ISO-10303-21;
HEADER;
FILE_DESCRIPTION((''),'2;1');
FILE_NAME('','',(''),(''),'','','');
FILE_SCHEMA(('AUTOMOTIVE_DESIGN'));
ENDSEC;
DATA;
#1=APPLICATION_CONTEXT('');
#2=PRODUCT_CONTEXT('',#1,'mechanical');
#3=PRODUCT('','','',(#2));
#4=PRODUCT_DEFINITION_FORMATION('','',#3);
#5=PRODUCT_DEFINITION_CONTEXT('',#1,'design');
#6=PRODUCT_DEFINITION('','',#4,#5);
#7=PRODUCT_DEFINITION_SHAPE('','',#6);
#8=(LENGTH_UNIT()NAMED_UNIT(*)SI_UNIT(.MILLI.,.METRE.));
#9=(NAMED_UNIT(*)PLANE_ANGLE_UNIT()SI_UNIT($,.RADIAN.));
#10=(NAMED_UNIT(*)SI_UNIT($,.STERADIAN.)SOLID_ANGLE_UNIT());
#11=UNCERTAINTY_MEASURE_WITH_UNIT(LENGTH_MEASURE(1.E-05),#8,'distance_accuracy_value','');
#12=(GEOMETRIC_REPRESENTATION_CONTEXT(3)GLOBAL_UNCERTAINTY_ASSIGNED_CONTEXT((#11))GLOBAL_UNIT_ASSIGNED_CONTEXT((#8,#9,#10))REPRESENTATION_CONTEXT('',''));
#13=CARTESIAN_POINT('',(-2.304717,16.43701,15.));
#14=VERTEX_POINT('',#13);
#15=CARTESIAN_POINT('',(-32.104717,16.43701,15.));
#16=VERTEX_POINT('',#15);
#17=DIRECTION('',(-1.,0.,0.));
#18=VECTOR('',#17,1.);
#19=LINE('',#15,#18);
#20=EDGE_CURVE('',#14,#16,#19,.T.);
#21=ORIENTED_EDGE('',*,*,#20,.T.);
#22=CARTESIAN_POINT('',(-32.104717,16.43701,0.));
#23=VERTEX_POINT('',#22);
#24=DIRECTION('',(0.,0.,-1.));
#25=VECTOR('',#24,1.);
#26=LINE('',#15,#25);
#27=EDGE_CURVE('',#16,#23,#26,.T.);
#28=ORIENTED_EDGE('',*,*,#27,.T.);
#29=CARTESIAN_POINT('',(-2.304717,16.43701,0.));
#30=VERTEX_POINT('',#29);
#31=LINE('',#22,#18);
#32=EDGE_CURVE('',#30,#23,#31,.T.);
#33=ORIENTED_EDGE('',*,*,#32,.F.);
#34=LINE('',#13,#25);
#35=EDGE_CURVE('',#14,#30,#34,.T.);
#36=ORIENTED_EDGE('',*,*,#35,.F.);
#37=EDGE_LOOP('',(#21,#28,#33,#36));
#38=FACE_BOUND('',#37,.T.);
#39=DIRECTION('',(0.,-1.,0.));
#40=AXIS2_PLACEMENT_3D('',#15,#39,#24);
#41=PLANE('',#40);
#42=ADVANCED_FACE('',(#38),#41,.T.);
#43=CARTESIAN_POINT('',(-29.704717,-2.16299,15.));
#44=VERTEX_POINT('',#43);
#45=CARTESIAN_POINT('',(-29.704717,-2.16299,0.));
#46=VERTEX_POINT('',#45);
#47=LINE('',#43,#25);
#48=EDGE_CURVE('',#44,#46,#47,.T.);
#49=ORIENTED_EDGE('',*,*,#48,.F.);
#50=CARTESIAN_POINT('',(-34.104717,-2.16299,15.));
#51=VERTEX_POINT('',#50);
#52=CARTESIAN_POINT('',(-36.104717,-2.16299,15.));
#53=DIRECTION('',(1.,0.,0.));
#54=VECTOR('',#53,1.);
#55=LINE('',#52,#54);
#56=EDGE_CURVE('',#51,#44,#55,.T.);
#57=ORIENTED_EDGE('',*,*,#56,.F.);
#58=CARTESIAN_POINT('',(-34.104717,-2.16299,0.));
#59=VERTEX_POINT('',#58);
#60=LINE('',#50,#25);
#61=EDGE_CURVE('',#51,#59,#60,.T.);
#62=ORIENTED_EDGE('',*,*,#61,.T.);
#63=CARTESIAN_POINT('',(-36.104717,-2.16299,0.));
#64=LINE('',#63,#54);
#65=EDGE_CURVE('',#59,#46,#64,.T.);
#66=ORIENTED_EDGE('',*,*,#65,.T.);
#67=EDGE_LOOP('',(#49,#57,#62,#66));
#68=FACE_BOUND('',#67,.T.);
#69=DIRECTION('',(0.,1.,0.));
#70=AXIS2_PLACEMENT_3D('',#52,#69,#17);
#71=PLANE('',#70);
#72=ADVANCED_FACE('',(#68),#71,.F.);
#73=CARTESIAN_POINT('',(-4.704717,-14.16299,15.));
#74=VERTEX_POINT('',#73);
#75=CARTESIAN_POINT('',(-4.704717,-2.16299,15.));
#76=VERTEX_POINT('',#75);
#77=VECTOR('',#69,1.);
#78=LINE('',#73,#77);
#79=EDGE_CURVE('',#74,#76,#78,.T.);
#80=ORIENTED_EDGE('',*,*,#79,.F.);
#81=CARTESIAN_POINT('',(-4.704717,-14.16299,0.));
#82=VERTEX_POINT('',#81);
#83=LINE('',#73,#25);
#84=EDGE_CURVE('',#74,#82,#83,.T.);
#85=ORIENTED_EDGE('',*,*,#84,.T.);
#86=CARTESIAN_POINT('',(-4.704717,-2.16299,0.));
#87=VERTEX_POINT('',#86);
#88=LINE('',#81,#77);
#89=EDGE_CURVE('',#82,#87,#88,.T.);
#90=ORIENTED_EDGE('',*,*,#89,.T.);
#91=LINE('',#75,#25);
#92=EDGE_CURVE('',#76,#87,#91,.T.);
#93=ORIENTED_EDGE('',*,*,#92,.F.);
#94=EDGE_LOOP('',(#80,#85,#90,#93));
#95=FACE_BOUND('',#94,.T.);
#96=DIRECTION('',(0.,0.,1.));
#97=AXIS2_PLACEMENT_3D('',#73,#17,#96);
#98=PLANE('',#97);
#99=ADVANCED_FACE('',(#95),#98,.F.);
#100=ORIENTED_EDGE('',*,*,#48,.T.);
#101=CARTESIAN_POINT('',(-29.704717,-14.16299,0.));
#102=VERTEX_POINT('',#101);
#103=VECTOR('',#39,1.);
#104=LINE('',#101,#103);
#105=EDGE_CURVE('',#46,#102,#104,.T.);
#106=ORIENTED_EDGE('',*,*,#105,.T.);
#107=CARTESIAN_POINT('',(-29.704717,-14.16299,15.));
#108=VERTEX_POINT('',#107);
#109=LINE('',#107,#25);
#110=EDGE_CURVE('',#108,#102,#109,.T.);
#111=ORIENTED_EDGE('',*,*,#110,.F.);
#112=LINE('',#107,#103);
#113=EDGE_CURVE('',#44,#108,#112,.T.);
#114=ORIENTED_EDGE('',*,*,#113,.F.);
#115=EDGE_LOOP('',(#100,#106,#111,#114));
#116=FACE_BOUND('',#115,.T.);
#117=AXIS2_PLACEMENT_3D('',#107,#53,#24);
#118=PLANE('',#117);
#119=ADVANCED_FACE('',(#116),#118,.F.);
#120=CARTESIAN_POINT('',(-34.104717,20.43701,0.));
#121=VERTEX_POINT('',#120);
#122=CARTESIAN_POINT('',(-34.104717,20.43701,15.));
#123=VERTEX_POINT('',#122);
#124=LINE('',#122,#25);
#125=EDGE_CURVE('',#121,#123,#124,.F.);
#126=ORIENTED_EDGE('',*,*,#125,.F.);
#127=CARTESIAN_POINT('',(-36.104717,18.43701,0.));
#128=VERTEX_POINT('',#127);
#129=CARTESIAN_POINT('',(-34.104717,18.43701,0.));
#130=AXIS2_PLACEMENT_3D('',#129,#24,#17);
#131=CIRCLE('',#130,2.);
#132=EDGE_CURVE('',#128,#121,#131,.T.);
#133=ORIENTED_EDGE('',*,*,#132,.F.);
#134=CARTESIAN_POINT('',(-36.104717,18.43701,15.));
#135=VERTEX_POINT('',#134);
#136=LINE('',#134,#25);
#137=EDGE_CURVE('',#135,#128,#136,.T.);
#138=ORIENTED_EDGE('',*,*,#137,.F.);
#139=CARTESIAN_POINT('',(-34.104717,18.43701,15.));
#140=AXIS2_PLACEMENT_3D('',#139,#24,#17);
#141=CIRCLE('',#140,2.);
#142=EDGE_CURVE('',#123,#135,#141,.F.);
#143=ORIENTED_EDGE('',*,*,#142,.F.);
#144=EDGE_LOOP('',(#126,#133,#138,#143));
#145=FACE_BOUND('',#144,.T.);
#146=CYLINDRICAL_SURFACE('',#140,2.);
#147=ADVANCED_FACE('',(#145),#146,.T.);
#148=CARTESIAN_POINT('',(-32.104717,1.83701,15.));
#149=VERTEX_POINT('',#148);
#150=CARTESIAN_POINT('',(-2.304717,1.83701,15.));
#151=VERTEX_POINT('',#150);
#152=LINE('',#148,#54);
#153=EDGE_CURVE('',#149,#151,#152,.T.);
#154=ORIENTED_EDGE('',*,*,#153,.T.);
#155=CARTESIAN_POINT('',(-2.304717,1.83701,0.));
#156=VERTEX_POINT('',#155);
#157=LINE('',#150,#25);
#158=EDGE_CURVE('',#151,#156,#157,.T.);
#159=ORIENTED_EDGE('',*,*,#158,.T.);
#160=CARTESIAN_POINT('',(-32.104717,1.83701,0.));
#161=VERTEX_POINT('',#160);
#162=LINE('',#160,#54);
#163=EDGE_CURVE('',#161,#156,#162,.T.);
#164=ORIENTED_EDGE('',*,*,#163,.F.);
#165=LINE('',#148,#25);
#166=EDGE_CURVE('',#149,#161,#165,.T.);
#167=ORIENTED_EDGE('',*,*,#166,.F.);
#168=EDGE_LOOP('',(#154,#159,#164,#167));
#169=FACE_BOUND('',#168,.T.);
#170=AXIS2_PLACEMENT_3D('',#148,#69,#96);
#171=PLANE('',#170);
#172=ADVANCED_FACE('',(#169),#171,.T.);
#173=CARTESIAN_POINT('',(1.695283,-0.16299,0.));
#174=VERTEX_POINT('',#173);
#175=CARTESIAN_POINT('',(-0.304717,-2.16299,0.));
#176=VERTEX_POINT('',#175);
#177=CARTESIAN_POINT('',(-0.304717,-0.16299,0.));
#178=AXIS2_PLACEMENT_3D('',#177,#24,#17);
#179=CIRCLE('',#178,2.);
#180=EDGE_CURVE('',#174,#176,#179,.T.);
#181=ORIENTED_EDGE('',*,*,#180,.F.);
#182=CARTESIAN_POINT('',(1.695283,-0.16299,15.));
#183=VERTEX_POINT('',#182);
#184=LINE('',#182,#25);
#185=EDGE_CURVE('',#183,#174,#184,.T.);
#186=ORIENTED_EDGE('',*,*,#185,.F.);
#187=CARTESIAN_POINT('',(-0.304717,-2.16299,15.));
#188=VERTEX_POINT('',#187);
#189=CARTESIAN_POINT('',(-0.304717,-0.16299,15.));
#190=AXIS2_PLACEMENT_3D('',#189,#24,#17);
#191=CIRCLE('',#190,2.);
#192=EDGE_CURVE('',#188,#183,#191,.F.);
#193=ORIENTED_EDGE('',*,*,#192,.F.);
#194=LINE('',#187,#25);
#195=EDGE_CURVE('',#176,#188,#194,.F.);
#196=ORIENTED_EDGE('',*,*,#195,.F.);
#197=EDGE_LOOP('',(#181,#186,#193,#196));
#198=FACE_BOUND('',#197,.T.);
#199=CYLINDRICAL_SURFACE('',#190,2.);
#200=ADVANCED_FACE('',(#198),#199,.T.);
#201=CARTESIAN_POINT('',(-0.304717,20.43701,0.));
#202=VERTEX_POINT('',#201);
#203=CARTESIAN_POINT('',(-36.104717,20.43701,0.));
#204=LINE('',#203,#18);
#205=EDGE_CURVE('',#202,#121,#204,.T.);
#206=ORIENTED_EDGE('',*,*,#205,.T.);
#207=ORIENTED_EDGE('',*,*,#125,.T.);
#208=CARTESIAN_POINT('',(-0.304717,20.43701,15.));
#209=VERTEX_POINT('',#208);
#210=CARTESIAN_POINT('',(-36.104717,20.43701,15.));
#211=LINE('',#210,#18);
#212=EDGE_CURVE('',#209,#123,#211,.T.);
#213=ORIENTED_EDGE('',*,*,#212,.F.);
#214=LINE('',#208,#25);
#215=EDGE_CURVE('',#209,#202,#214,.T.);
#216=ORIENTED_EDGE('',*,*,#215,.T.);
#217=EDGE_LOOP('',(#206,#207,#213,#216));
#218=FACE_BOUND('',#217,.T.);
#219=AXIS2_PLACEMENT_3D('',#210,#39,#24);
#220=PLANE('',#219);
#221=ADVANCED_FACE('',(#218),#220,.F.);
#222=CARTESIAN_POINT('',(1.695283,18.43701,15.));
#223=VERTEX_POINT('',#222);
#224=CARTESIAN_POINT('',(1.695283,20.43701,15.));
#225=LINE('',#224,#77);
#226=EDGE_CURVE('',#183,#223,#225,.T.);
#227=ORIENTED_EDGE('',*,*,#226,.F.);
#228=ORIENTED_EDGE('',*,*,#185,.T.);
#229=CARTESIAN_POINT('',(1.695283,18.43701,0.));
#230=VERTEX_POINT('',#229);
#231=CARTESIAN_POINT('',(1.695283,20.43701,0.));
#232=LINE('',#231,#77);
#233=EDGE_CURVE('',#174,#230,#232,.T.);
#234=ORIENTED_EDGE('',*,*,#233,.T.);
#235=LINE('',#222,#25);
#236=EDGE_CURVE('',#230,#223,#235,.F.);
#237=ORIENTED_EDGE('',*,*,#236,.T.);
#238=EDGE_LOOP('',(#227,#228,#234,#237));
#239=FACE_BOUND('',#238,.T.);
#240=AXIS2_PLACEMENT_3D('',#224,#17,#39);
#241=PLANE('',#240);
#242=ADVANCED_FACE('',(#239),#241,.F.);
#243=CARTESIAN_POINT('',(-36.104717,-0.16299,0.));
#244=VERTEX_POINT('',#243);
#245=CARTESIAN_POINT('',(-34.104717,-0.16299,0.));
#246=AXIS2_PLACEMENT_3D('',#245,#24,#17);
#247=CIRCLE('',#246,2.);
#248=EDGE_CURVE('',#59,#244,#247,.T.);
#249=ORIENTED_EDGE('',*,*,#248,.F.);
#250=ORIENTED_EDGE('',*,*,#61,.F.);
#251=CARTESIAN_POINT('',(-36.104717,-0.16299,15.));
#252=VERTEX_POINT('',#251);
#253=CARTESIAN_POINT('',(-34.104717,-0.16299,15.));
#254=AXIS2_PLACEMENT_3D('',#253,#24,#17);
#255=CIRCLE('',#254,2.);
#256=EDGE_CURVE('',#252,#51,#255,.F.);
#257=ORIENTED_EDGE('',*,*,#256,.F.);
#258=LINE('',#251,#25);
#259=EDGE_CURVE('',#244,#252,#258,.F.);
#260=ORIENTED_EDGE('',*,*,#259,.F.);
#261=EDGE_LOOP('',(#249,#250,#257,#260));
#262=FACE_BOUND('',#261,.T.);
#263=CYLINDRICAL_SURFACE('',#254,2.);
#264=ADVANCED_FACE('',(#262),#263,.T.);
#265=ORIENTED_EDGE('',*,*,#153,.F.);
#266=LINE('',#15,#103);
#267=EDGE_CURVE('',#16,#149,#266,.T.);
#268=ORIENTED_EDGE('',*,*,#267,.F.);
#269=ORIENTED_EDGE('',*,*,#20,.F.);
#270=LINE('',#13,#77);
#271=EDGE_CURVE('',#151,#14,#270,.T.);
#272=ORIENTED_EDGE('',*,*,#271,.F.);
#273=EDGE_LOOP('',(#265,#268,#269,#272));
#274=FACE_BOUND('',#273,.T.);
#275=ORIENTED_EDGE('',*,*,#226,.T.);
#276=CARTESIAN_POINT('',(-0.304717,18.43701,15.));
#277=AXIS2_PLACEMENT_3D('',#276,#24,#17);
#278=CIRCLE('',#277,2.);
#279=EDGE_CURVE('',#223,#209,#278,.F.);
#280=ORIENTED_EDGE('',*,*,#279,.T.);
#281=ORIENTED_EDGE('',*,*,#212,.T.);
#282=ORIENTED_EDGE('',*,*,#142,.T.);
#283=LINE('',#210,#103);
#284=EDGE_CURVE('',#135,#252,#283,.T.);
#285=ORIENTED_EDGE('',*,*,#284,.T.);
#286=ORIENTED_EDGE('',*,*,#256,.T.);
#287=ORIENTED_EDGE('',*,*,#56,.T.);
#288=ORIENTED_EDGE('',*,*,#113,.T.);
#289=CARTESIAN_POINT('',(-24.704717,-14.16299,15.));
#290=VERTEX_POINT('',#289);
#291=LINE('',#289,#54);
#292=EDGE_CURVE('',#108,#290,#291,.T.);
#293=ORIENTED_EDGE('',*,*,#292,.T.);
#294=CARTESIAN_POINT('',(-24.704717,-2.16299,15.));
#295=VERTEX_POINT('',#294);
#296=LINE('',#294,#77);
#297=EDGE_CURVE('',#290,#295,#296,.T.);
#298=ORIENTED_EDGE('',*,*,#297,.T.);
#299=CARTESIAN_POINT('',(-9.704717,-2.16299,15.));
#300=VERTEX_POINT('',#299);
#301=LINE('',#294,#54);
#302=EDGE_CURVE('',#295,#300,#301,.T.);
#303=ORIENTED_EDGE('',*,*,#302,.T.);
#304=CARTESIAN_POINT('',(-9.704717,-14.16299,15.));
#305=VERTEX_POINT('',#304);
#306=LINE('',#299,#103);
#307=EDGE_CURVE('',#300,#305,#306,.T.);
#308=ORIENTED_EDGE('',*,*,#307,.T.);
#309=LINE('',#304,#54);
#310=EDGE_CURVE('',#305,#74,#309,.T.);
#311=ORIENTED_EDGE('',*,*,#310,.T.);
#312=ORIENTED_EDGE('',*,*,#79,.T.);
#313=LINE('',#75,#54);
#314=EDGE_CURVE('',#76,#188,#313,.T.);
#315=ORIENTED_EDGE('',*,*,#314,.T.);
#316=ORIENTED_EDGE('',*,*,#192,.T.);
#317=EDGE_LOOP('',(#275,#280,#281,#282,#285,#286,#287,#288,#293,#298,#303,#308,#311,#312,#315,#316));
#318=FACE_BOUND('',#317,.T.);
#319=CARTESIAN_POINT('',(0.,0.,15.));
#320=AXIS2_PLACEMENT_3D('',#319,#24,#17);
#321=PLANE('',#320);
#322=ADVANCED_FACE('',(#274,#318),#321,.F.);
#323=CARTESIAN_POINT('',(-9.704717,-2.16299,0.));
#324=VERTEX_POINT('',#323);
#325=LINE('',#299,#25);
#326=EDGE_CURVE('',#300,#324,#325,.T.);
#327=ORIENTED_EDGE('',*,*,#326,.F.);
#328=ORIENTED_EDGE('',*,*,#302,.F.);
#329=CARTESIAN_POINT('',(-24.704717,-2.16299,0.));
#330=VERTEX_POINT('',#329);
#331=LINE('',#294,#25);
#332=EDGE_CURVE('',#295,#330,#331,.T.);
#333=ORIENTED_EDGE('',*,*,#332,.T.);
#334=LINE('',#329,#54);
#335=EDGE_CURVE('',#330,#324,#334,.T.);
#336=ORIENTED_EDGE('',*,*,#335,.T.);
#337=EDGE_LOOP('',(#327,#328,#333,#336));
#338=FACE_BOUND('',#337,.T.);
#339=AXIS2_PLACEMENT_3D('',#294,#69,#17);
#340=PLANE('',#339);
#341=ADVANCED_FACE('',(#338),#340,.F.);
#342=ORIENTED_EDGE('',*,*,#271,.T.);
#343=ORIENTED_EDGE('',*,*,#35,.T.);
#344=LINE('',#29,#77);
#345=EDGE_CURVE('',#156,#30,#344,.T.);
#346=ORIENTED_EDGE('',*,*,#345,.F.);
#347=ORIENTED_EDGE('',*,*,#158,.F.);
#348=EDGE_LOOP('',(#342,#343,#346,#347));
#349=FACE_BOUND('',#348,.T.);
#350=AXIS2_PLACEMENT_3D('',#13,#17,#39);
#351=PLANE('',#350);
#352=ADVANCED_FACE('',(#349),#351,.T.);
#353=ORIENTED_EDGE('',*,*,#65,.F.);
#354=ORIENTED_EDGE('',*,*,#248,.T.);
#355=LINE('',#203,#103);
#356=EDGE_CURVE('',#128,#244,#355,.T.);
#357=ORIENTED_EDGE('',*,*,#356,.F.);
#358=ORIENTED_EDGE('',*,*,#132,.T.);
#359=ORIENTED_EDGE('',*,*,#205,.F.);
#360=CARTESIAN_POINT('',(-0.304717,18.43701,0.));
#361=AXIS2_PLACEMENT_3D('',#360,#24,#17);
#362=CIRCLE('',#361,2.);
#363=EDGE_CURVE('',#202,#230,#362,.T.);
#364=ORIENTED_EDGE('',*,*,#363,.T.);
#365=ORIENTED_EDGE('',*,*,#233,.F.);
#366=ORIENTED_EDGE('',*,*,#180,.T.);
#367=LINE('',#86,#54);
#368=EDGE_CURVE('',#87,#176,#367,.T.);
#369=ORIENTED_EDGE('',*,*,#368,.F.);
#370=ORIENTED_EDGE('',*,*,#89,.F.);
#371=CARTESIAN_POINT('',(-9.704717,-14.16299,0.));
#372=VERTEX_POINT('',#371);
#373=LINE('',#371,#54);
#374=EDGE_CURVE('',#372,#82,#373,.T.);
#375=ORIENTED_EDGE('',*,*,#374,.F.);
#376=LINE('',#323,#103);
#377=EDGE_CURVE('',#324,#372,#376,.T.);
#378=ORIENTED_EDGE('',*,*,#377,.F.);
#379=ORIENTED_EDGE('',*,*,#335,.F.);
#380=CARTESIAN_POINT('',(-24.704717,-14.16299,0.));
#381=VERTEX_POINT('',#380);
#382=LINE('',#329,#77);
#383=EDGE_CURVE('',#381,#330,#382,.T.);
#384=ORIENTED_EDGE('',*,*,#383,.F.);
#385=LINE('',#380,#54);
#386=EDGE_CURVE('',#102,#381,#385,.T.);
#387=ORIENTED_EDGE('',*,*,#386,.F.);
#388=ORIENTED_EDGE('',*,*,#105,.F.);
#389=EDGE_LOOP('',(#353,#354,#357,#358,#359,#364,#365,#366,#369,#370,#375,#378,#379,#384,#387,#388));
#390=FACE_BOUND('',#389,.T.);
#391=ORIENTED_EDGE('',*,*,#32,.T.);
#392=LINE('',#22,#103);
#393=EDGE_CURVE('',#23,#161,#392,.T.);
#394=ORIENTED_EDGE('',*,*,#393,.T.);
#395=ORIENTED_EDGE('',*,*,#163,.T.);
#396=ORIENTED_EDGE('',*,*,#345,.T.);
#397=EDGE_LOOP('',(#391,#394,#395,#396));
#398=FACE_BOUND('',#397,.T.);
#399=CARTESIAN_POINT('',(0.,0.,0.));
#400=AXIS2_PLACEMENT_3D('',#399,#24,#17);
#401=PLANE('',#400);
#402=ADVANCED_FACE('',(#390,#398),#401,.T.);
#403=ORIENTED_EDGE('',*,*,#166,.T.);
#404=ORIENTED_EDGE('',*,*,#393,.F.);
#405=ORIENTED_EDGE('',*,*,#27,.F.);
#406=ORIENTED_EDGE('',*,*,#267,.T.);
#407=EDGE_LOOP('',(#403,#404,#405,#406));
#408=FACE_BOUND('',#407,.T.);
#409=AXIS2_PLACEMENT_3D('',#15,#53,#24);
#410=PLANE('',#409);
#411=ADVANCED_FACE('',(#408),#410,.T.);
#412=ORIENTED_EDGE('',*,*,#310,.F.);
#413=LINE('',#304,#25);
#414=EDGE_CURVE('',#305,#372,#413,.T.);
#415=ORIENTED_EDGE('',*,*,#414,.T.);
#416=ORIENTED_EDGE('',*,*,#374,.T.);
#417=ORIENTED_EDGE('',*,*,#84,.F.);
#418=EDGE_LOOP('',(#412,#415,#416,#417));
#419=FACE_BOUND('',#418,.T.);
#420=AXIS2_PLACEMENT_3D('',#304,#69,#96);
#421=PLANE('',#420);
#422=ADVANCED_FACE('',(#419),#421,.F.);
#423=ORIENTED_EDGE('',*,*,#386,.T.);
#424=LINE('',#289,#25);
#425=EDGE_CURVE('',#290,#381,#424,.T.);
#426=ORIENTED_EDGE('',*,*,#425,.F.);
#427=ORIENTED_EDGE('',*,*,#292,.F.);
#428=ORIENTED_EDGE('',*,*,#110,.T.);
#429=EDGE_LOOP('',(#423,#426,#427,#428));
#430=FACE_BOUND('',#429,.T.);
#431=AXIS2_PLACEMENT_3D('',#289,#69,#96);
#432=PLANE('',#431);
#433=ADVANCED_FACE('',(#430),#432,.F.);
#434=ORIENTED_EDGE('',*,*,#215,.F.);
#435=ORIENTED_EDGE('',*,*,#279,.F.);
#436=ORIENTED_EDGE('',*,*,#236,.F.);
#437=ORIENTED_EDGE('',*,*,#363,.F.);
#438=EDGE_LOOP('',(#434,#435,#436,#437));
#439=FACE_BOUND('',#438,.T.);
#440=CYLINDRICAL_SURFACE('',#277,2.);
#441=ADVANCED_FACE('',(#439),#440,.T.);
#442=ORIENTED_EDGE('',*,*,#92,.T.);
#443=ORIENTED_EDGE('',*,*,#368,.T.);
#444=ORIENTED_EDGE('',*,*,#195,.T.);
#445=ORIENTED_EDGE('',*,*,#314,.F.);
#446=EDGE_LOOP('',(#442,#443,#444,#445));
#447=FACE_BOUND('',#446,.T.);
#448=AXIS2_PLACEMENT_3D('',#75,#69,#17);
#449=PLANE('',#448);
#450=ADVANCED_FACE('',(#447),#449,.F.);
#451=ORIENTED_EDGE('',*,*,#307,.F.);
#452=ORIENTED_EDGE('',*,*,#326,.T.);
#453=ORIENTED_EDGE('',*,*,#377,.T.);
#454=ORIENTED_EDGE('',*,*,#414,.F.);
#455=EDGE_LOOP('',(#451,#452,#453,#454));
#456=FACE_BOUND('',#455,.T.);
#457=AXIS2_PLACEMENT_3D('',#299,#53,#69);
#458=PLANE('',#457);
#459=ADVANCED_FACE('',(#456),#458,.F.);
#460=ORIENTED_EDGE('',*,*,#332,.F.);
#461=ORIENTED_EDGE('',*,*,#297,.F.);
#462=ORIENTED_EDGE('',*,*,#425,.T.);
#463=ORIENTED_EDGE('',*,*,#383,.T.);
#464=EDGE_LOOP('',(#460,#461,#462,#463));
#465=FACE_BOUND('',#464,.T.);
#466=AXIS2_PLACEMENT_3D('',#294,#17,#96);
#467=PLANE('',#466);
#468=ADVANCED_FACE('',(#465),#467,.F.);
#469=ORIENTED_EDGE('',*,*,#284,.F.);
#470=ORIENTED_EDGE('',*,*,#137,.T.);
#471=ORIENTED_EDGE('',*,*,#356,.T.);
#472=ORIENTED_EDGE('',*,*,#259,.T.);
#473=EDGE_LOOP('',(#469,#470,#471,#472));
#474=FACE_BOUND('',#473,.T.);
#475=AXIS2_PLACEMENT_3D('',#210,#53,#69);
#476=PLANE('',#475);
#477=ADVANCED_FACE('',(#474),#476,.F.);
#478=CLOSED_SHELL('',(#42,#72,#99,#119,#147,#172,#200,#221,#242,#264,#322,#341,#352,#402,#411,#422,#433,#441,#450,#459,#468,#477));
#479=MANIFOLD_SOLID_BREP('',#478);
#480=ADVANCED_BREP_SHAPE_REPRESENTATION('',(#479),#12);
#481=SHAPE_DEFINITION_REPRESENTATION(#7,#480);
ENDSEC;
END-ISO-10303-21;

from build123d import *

# Parameters (mm, degrees)
SKETCH1_W           = 29.8
SKETCH1_H           = 14.6
BOSS_EXTRUDE1_DEPTH = 15
FILLET1_R           = 2


with BuildPart() as part:
    # Sketch1 → Boss-Extrude1 (new body)
    with BuildSketch(Plane.XY):
        Polygon((-36.104717196, 20.437010324), (1.695282804, 20.437010324), (1.695282804, -2.162989676), (-4.704717196, -2.162989676), (-4.704717196, -14.162989676), (-9.704717196, -14.162989676), (-9.704717196, -2.162989676), (-24.704717196, -2.162989676), (-24.704717196, -14.162989676), (-29.704717196, -14.162989676), (-29.704717196, -2.162989676), (-36.104717196, -2.162989676), align=None)
        with Locations((-17.204717196, 9.137010324)):
            Rectangle(SKETCH1_W, SKETCH1_H, mode=Mode.SUBTRACT)
    extrude(amount=BOSS_EXTRUDE1_DEPTH)

    # Fillet1
    fillet1_edges = [part.edges().sort_by_distance(p)[0] for p in [
        (-36.104717196, -2.162989676, 7.5),
        (-36.104717196, 20.437010324, 7.5),
        (1.695282804, 20.437010324, 7.5),
        (1.695282804, -2.162989676, 7.5),
    ]]
    fillet(fillet1_edges, radius=FILLET1_R)


solid = part.part
